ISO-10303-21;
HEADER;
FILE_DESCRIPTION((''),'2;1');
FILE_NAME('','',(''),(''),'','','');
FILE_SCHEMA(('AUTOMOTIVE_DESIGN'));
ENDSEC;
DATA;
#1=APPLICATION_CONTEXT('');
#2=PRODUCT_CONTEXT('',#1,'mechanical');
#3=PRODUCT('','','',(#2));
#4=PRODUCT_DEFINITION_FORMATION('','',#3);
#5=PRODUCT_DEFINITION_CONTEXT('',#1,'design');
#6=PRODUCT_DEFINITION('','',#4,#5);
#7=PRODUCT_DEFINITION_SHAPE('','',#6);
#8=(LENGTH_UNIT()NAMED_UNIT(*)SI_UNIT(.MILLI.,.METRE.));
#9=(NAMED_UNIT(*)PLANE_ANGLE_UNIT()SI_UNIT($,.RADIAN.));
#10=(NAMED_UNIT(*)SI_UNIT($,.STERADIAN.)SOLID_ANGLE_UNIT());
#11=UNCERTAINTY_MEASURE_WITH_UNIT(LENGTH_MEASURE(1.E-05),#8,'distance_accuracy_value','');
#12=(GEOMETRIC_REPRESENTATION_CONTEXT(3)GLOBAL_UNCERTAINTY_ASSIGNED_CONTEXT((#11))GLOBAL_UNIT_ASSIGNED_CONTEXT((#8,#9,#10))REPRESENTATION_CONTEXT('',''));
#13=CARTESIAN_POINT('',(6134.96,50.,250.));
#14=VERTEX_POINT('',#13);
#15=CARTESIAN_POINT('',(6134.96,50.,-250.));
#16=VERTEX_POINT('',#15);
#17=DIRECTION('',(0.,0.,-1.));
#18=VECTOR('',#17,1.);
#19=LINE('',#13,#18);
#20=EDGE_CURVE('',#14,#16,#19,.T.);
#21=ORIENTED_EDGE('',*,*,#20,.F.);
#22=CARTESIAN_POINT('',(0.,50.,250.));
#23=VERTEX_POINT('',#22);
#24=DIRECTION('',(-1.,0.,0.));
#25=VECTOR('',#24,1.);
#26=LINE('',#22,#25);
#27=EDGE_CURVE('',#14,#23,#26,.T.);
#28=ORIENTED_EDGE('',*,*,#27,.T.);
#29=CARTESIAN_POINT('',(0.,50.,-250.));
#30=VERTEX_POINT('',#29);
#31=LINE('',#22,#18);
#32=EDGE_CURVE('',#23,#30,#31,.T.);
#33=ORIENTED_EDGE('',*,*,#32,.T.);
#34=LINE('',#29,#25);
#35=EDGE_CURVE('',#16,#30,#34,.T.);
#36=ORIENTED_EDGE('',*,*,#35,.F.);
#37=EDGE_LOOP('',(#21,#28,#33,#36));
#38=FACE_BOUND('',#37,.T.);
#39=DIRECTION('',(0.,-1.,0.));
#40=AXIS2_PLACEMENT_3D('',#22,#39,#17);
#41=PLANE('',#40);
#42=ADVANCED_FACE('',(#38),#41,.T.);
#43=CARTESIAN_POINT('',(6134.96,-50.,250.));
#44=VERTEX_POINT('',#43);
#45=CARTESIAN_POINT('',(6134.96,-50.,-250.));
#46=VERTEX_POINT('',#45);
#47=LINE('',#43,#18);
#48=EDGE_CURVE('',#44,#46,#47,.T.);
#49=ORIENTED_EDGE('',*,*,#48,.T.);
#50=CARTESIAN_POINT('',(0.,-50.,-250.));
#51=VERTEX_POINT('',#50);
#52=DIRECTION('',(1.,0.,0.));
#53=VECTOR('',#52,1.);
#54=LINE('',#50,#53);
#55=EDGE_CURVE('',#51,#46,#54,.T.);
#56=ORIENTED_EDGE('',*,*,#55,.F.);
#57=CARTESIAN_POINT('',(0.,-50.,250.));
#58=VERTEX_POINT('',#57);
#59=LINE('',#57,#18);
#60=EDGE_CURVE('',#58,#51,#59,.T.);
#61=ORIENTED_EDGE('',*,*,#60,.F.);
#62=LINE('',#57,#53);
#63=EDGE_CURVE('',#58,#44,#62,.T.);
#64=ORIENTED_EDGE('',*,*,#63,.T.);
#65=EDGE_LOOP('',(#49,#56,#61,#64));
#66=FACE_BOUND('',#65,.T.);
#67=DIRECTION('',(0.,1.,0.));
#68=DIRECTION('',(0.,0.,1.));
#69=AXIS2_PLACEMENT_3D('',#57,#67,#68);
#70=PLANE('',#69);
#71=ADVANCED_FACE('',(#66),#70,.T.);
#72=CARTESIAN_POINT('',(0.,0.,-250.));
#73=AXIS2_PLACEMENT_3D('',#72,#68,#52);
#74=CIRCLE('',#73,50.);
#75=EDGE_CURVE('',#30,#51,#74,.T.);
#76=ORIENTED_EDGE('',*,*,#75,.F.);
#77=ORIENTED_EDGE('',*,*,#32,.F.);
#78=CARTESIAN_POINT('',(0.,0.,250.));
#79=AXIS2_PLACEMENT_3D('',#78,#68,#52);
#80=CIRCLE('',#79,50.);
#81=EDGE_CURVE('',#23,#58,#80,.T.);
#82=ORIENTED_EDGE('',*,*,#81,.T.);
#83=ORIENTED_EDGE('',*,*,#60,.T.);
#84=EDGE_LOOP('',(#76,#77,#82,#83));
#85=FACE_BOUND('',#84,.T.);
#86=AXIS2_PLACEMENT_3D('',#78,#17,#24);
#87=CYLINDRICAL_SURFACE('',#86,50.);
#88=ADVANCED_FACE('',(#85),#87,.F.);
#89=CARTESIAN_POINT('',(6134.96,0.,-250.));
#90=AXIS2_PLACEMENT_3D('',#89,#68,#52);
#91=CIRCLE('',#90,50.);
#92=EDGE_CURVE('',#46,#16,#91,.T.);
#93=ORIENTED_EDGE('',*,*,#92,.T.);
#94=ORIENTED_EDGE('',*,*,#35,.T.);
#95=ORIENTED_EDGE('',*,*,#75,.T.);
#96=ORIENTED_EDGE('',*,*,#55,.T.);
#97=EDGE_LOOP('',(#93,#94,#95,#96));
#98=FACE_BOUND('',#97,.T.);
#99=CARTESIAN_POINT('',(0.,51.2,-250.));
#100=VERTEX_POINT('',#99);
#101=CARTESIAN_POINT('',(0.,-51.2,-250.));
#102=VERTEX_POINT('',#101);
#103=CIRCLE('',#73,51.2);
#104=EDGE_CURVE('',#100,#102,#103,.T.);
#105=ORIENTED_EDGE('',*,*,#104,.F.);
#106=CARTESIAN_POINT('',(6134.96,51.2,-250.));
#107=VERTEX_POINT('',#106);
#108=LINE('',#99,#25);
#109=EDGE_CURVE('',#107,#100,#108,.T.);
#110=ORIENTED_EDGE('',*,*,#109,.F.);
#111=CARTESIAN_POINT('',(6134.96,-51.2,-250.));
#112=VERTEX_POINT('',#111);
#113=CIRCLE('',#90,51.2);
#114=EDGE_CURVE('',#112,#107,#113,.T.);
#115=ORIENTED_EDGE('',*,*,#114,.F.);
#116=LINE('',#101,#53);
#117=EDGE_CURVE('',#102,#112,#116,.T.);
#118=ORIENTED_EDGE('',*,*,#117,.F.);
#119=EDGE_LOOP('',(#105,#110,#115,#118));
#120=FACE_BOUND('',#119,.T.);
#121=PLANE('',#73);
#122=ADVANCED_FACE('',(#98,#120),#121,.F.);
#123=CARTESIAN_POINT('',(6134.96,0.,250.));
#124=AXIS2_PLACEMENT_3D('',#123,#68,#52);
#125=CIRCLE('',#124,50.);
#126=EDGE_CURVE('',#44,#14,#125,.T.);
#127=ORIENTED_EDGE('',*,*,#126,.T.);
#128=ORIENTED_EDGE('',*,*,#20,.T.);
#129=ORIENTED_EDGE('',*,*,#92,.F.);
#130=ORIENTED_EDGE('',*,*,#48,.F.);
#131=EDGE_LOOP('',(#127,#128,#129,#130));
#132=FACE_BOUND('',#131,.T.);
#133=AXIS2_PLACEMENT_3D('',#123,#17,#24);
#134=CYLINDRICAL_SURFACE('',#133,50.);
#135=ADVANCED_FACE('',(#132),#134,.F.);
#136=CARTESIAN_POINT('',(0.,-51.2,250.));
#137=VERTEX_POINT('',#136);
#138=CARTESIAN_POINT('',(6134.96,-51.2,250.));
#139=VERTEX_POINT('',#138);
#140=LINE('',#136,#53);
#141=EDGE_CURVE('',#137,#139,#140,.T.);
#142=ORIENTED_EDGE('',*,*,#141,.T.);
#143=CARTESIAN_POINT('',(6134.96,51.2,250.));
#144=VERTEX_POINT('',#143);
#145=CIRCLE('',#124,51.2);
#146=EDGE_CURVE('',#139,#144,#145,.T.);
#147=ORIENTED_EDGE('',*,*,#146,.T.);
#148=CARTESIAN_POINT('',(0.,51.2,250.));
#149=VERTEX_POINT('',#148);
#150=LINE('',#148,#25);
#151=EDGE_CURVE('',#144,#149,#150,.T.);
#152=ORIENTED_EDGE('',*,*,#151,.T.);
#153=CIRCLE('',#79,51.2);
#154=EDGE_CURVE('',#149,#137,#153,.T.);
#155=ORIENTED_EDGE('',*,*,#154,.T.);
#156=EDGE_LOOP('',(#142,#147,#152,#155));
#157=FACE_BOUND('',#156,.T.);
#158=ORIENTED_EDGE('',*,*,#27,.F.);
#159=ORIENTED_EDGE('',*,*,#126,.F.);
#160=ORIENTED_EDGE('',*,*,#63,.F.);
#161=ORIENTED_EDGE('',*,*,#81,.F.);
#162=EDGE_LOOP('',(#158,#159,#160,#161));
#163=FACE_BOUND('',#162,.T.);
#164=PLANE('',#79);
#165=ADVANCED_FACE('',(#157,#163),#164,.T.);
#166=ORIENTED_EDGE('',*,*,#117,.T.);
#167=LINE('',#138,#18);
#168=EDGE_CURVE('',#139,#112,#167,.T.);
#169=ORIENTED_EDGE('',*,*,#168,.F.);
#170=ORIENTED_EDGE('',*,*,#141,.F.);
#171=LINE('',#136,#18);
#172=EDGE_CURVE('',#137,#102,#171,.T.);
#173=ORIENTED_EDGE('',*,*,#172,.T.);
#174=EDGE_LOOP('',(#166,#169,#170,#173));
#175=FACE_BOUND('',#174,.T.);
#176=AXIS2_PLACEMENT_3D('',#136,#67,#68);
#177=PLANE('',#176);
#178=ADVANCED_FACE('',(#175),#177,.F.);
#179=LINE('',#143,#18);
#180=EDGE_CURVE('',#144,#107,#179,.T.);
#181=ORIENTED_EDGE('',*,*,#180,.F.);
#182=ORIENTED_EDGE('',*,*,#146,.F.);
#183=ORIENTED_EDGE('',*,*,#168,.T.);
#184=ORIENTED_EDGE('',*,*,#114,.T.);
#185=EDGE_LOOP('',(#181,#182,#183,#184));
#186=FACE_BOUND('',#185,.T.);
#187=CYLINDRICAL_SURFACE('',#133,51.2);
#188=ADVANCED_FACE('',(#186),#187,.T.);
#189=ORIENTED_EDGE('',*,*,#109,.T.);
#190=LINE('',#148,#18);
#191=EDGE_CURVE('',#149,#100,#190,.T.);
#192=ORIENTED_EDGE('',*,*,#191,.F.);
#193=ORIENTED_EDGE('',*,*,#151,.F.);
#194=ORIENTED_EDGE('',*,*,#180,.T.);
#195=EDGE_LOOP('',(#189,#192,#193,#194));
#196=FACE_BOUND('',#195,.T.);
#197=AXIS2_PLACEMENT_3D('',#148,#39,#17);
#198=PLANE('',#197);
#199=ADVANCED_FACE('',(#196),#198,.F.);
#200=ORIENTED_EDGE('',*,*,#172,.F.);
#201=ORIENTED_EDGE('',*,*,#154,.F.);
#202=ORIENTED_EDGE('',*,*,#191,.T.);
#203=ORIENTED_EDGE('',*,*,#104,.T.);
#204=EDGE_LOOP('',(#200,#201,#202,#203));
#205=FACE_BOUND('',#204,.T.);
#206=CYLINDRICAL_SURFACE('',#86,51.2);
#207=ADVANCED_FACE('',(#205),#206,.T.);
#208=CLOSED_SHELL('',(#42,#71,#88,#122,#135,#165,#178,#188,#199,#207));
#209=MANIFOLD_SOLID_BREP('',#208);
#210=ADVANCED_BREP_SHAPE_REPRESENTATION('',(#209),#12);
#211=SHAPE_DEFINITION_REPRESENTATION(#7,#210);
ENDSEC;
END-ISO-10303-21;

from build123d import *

# Parameters (mm, degrees)
BOSS_EXTRUDE1_DEPTH = 250


with BuildPart() as part:
    # Sketch1 → Boss-Extrude1 (new body, symmetric)
    with BuildSketch(Plane.XY):
        with BuildLine():
            Line((0, -51.2), (6134.96, -51.2))
            ThreePointArc((6134.96, -51.2), (6186.16, 0), (6134.96, 51.2))
            Line((6134.96, 51.2), (0, 51.2))
            ThreePointArc((0, 51.2), (-51.2, 0), (0, -51.2))
        make_face()
        with BuildLine():
            Line((0, 50), (6134.96, 50))
            ThreePointArc((6134.96, 50), (6184.96, 0), (6134.96, -50))
            Line((6134.96, -50), (0, -50))
            ThreePointArc((0, -50), (-50, 0), (0, 50))
        make_face(mode=Mode.SUBTRACT)
    extrude(amount=BOSS_EXTRUDE1_DEPTH, both=True)


solid = part.part
